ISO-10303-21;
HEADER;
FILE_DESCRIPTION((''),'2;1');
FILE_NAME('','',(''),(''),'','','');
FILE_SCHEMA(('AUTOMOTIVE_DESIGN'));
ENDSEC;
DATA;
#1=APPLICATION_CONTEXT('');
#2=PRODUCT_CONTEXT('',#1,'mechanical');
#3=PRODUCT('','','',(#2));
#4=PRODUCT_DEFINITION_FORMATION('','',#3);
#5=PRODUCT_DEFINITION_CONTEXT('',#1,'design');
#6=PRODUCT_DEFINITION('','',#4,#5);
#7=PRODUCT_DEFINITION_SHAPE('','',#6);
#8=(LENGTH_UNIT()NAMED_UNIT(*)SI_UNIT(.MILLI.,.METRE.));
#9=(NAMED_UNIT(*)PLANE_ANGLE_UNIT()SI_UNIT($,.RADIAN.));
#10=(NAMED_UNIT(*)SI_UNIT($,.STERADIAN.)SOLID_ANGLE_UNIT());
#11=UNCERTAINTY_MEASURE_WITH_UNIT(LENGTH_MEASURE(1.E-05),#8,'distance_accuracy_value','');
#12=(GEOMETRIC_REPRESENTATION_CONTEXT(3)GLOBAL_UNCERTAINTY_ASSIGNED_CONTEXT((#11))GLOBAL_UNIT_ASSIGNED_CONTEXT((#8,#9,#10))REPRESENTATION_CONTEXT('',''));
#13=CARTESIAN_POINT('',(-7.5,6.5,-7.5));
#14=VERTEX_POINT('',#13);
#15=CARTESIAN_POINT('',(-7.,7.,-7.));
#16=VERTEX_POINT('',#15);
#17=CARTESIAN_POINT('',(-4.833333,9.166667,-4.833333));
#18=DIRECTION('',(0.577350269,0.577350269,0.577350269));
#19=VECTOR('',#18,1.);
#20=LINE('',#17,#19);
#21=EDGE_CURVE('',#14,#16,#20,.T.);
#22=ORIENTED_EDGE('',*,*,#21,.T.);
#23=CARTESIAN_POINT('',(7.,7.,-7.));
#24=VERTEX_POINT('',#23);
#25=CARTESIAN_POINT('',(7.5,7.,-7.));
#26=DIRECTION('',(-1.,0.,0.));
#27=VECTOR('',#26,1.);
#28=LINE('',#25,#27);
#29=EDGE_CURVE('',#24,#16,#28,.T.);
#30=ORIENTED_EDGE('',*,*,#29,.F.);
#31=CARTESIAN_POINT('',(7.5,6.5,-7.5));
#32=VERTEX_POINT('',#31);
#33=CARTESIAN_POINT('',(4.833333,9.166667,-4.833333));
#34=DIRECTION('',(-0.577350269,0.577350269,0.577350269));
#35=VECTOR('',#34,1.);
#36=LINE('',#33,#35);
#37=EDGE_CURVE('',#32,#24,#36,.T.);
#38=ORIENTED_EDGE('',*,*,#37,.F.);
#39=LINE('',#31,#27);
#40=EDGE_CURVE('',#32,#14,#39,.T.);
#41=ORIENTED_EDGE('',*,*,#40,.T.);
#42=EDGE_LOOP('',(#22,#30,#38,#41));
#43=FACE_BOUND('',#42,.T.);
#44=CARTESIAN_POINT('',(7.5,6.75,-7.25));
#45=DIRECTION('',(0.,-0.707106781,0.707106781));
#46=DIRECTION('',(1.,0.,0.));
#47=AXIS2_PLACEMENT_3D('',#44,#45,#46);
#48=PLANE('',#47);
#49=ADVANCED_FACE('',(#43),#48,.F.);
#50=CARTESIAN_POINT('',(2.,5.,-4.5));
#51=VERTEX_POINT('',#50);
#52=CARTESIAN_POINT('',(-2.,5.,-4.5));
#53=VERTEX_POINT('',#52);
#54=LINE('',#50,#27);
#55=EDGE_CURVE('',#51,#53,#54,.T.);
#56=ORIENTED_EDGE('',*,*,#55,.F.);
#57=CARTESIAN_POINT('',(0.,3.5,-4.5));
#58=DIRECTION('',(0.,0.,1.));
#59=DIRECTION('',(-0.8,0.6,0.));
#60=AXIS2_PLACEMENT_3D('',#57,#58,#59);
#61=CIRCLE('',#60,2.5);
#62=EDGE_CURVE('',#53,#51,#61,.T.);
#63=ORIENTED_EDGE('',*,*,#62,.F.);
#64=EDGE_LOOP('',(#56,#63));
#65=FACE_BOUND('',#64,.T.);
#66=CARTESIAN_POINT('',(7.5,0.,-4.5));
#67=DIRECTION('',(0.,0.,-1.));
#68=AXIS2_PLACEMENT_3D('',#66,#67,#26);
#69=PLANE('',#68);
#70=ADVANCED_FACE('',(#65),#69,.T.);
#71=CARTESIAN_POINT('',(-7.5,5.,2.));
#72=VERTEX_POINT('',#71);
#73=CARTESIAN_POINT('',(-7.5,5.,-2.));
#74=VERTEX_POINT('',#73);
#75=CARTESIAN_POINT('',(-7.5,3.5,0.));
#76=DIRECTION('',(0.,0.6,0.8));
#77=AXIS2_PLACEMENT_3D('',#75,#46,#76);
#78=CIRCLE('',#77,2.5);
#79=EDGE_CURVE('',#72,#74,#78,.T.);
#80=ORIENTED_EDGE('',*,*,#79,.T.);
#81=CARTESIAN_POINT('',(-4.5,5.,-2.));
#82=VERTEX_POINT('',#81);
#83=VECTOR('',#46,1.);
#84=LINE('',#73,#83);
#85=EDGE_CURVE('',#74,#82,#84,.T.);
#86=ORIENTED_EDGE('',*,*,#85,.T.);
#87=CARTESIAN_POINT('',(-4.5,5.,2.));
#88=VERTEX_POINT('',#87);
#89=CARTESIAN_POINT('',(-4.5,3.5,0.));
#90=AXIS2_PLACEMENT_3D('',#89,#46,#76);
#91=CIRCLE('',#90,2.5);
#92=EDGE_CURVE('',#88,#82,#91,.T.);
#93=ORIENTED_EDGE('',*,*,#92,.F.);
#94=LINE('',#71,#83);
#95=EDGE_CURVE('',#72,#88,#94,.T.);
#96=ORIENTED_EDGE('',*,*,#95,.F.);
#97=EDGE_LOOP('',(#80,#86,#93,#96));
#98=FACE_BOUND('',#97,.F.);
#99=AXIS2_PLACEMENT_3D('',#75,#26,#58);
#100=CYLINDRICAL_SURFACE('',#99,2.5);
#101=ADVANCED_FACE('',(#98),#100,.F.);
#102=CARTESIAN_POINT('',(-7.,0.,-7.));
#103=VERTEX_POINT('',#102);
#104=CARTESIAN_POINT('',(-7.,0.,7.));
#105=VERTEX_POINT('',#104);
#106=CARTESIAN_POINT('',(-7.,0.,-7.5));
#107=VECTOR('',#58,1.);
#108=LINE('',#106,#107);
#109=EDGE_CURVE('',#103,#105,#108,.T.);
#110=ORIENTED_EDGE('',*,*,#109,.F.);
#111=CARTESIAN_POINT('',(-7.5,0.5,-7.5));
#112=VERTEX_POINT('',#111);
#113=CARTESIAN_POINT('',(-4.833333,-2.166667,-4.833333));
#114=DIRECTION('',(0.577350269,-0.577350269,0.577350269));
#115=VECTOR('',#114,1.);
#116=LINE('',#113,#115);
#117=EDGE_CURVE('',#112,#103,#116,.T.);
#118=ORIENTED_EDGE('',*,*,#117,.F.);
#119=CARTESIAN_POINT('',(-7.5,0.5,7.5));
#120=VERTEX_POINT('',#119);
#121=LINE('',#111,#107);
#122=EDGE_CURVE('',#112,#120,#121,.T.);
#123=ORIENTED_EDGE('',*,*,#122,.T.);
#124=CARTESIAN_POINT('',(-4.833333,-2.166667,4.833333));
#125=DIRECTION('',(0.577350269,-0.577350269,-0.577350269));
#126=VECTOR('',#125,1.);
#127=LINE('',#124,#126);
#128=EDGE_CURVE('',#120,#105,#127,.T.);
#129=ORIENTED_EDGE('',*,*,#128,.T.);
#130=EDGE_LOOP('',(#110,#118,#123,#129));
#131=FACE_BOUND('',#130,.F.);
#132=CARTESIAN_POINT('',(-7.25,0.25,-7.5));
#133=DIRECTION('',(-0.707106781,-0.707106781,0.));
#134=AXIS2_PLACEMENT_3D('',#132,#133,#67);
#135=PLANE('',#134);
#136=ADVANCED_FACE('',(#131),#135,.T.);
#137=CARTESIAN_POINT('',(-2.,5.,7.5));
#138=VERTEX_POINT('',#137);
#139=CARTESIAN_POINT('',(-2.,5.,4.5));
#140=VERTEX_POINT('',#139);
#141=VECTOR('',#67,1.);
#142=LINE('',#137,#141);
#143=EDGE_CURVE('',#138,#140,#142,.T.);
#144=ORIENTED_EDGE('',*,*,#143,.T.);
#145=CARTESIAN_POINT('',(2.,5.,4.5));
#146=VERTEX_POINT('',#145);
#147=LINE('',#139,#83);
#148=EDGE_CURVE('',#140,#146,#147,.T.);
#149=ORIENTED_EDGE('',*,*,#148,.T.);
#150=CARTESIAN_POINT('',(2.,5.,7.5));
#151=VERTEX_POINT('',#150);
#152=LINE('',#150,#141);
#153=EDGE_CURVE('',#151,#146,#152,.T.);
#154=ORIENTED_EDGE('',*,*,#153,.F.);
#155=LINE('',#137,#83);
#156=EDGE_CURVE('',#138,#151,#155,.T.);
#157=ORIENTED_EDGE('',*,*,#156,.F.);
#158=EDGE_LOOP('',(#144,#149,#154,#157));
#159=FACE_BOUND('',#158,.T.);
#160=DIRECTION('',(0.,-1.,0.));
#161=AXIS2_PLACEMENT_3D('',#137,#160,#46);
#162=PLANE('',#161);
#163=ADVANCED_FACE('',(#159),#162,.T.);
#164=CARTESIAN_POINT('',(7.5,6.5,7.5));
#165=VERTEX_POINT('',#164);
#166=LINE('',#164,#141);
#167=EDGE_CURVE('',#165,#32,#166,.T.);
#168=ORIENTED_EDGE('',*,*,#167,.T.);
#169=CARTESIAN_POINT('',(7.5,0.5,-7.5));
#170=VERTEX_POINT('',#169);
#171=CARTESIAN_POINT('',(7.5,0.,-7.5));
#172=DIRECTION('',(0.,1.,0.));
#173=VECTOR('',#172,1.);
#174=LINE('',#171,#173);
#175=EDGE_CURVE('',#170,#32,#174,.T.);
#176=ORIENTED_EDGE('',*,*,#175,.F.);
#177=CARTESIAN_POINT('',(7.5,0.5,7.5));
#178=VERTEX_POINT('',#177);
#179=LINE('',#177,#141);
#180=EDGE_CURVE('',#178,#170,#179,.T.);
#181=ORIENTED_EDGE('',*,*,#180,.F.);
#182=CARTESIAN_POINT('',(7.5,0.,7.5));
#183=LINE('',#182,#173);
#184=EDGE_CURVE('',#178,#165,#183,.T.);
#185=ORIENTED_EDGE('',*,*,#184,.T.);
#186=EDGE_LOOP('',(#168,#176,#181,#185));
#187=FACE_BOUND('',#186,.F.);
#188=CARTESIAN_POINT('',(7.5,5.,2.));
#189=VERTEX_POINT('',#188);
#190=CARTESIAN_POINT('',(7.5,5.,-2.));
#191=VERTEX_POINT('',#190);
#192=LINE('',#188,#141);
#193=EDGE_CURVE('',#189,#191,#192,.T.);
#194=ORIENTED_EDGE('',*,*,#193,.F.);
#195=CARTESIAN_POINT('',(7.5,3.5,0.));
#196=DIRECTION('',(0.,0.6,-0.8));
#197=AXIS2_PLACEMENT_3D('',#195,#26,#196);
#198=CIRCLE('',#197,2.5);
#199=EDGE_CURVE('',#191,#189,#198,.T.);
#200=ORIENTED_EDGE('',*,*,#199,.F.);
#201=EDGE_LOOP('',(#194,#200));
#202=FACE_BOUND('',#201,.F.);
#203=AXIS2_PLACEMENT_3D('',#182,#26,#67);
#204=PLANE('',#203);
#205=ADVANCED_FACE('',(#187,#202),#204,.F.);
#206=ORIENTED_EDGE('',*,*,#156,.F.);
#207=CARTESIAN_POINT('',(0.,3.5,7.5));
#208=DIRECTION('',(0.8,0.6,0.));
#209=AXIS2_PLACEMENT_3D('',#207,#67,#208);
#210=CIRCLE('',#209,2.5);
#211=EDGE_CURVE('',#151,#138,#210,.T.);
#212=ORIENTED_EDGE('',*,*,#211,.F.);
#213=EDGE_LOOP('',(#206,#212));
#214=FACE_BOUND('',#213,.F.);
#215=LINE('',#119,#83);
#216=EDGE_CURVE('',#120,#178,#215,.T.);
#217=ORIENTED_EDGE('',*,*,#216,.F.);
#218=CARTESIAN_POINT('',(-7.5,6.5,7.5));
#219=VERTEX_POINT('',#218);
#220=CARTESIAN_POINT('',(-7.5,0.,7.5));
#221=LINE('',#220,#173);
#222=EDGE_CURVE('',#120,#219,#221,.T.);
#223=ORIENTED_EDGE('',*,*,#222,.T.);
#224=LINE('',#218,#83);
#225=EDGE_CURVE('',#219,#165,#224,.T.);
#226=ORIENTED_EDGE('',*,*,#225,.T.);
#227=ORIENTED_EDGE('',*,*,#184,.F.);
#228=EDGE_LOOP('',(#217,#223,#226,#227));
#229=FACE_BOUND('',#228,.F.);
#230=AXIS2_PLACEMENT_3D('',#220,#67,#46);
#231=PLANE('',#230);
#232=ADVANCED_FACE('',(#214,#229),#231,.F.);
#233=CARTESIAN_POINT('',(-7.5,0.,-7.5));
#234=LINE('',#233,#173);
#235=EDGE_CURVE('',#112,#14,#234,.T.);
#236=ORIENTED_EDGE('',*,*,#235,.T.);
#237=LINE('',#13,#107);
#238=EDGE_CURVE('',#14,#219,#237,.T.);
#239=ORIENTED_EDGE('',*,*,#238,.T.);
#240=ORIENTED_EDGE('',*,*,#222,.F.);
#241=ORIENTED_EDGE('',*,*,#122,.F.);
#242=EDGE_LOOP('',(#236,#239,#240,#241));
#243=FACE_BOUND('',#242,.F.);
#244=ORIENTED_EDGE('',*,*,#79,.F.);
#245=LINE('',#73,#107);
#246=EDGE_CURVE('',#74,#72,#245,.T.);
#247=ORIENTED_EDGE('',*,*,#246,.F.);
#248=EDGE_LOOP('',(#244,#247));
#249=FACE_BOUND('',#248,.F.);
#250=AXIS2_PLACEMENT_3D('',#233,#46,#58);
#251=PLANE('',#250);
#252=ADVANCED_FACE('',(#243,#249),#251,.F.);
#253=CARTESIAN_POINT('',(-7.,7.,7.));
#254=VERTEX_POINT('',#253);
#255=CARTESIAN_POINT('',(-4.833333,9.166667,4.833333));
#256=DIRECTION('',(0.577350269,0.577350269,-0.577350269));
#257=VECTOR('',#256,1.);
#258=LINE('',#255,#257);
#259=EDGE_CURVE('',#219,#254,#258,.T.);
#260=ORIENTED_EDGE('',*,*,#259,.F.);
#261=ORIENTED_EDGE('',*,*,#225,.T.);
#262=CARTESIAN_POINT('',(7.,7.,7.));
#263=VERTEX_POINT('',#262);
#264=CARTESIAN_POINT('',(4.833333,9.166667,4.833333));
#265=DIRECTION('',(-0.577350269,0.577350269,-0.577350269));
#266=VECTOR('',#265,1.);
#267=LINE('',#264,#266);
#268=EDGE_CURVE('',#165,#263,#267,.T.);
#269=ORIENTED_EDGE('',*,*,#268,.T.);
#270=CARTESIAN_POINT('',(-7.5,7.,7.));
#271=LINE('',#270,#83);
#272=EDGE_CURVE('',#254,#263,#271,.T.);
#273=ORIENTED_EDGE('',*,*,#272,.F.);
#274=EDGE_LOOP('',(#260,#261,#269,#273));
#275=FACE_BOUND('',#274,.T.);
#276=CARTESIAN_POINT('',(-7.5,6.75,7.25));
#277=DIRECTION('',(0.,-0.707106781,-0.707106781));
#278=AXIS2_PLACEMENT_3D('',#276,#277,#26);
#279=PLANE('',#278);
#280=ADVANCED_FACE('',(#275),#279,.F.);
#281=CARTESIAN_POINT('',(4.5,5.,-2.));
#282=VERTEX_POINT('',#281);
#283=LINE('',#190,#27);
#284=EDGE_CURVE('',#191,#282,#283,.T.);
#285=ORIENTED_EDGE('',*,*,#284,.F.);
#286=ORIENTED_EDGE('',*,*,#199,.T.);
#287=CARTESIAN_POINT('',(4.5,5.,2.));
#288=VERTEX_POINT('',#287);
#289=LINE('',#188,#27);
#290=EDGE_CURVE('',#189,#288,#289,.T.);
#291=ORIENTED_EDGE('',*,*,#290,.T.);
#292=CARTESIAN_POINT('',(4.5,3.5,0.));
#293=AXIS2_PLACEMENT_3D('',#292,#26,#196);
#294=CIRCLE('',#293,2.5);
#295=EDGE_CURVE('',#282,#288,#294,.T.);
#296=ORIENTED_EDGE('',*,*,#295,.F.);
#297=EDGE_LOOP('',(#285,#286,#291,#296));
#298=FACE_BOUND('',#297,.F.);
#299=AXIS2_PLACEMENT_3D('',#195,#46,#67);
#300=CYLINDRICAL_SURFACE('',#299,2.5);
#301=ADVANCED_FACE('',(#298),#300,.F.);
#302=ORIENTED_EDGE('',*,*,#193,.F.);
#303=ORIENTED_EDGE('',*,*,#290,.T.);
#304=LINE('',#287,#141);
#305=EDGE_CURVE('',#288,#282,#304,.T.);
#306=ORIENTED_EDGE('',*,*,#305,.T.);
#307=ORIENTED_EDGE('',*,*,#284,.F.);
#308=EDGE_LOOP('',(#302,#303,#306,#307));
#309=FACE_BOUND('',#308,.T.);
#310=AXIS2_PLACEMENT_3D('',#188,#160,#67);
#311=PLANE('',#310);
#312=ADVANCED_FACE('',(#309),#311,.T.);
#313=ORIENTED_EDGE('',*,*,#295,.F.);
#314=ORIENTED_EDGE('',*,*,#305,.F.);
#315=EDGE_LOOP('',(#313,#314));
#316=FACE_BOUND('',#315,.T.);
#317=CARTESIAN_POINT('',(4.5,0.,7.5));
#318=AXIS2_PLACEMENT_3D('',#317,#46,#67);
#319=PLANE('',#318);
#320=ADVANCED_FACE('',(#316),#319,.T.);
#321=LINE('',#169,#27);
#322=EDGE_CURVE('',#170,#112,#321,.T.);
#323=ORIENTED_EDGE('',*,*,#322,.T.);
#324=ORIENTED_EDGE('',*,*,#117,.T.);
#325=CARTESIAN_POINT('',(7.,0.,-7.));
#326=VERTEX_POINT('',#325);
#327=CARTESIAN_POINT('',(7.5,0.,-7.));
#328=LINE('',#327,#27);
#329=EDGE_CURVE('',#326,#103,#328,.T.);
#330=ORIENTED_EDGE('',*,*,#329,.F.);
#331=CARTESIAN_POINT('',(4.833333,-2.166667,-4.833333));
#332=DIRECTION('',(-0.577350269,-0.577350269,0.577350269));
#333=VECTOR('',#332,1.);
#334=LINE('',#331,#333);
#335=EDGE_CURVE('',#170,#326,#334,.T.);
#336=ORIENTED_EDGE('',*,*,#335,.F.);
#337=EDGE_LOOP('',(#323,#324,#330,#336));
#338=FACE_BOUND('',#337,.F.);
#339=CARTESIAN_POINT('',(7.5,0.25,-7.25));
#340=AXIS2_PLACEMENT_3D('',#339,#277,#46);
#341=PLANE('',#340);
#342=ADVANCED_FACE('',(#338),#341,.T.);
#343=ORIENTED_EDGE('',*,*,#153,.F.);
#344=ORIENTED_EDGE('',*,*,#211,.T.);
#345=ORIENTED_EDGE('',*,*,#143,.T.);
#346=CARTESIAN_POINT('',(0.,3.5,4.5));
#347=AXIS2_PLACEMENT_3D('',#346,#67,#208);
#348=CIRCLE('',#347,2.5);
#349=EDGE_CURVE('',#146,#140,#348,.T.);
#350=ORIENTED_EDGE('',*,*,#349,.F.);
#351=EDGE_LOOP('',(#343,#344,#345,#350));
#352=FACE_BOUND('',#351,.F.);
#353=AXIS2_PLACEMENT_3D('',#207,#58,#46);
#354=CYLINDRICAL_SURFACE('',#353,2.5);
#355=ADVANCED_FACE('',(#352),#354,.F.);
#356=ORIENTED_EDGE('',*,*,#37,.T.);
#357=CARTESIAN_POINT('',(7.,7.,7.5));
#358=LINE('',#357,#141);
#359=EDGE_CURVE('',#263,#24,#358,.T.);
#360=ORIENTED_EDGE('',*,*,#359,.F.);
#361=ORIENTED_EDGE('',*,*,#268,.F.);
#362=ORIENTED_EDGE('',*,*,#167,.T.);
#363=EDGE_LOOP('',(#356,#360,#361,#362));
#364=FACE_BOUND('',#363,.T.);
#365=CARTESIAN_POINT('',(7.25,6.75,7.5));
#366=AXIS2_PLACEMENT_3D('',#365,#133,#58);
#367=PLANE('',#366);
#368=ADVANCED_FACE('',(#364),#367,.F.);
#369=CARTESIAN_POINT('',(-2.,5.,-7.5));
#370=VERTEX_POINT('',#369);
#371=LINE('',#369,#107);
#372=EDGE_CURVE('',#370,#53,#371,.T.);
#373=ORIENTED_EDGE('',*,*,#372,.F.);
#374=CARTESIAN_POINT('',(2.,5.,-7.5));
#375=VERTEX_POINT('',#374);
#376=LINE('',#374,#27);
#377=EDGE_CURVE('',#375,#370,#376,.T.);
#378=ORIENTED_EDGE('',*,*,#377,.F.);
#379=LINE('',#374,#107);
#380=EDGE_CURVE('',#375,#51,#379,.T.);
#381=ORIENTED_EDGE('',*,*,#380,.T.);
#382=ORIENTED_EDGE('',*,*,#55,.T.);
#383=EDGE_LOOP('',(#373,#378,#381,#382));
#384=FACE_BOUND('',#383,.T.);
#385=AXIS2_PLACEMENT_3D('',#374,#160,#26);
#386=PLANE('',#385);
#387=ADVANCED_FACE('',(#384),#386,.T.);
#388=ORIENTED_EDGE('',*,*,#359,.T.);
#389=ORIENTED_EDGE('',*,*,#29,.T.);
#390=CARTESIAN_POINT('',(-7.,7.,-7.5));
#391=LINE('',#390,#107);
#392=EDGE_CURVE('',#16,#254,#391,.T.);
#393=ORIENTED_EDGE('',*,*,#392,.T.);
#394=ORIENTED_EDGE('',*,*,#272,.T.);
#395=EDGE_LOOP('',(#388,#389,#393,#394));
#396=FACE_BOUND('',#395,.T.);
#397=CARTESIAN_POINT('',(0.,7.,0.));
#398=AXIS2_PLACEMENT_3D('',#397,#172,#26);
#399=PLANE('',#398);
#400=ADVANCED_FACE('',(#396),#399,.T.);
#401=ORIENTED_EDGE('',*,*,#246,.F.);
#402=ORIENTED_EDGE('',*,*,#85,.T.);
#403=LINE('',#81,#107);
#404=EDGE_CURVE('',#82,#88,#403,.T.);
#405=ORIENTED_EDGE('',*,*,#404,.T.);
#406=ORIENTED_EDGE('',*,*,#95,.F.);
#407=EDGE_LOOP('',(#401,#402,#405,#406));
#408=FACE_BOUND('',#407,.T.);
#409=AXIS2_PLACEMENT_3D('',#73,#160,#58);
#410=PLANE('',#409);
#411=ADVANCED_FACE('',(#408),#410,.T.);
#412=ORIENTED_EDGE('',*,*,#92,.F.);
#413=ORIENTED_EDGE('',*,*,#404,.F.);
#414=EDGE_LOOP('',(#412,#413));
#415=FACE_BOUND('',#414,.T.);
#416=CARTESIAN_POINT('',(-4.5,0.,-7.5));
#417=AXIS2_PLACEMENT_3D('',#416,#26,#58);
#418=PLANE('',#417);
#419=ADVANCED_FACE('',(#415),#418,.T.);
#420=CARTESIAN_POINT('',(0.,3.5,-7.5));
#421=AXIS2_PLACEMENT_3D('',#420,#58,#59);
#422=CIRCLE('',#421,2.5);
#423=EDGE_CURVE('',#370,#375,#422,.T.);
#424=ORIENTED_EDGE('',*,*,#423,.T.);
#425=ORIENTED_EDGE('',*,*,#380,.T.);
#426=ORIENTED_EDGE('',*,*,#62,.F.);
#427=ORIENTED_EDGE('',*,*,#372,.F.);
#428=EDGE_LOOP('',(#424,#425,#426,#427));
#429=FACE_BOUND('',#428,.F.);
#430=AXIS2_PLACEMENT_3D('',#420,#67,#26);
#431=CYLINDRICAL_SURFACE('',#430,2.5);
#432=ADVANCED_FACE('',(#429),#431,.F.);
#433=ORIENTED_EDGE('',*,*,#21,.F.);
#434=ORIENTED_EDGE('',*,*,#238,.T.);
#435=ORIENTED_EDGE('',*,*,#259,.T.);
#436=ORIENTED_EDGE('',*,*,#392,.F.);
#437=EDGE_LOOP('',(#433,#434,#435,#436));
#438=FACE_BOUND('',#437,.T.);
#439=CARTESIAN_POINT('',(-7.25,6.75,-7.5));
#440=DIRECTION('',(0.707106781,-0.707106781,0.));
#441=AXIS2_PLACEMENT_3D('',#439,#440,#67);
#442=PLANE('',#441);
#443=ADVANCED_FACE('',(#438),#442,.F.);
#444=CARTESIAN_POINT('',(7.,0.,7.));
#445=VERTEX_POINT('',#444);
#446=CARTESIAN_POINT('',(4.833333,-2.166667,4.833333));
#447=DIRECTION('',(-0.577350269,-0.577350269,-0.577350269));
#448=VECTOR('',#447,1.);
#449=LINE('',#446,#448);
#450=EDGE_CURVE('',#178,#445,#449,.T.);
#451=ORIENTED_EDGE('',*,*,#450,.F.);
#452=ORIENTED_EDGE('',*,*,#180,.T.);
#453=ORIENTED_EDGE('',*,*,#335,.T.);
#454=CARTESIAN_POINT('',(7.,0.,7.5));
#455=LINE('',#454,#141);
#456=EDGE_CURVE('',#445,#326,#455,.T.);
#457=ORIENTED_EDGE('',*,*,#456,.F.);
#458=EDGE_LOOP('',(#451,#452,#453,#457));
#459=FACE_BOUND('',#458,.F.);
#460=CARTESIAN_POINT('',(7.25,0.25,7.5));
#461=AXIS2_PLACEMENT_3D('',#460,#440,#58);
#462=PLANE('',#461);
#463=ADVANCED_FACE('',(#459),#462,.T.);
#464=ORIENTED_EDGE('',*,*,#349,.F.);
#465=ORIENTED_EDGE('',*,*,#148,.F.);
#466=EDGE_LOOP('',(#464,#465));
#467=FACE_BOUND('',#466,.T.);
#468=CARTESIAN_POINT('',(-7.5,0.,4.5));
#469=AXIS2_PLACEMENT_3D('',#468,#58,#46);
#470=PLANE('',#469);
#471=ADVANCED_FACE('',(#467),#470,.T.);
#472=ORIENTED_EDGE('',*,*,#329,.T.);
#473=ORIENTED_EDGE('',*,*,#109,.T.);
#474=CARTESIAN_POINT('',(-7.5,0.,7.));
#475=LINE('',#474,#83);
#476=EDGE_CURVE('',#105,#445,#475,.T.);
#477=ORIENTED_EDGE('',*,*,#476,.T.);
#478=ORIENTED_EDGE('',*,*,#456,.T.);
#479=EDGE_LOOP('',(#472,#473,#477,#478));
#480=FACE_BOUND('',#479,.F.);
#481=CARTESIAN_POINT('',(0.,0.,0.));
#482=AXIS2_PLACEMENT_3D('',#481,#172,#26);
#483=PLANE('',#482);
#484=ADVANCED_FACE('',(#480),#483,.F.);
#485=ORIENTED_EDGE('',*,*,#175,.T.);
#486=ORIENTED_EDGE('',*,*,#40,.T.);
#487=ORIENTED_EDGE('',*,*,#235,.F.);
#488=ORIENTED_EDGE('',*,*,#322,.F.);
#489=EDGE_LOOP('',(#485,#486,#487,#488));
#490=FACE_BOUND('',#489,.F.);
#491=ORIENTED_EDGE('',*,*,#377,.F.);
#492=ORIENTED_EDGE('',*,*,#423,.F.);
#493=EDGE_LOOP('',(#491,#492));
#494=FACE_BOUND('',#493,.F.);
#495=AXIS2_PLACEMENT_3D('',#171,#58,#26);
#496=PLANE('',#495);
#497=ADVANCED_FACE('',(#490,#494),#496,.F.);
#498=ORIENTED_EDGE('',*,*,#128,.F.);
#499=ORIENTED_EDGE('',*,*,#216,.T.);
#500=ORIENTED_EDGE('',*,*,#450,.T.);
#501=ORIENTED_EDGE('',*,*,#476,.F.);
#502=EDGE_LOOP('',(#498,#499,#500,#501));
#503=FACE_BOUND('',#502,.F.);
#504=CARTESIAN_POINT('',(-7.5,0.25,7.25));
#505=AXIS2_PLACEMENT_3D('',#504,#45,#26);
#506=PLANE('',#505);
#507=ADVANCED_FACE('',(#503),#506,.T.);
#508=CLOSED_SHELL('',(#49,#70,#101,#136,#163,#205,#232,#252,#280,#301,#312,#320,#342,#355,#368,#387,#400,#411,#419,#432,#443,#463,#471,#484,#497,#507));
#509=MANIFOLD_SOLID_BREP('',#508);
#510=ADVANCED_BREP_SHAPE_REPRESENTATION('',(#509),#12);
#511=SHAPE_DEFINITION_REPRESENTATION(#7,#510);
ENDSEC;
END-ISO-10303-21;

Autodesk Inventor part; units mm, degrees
ref_plane "YZ Plane" through (0, 0, 0) normal (1, 0, 0) x (0, 1, 0)
ref_plane "XZ Plane" through (0, 0, 0) normal (0, 1, 0) x (-1, 0, 0)
ref_plane "XY Plane" through (0, 0, 0) normal (0, 0, 1) x (1, 0, 0)
sketch "스케치1" plane through (0, 0, 0) normal (0, 1, 0) x (-1, 0, 0)
  line L0 (7.5, 7.5) -> (-7.5, 7.5)
  line L1 (-7.5, 7.5) -> (-7.5, -7.5)
  line L2 (-7.5, -7.5) -> (7.5, -7.5)
  line L3 (7.5, -7.5) -> (7.5, 7.5)
  line L4 (7.5, 7.5) -> (-7.5, -7.5) construction
  line L5 (-7.5, 7.5) -> (7.5, -7.5) construction
  point P0 (0, 0)
  dimension "d0" = 15
  dimension "d1" = 15
extrude "돌출1" add sketch "스케치1" along normal blind 7
sketch "스케치2" plane through (-7.5, 0, 7.5) normal (0, 0, 1) x (1, 0, 0)
  circle A0 centre (7.5, 3.5) radius 2.5
  line L0 (0, 0) -> (15, 0) projected
  line L1 (0, 0) -> (0, 7) projected
  line L2 (5.5, 5) -> (9.5, 5)
  point P0 (7.5, 0)
  point P1 (7.5, 0)
  point P2 (0, 3.5)
  dimension "d5" = 5
  dimension "d14" = 1.5
chamfer "모따기1" distance 0.5 angle 45 8 edges at (0, 7, 7.5) (0, 0, 7.5) (7.5, 0, 0) (0, 0, -7.5) (-7.5, 0, 0) (-7.5, 7, 0) (0, 7, -7.5) (7.5, 7, 0)
extrude "돌출2" cut sketch "스케치2" against normal blind 3 contours A0 L2 picked at (8.1934, 3.1923)
pattern_circular "원형 패턴1" count 4 over 360 about axis through (0, -10, 0) along (0, 1, 0) of "돌출2"
properties part number "몸통"
